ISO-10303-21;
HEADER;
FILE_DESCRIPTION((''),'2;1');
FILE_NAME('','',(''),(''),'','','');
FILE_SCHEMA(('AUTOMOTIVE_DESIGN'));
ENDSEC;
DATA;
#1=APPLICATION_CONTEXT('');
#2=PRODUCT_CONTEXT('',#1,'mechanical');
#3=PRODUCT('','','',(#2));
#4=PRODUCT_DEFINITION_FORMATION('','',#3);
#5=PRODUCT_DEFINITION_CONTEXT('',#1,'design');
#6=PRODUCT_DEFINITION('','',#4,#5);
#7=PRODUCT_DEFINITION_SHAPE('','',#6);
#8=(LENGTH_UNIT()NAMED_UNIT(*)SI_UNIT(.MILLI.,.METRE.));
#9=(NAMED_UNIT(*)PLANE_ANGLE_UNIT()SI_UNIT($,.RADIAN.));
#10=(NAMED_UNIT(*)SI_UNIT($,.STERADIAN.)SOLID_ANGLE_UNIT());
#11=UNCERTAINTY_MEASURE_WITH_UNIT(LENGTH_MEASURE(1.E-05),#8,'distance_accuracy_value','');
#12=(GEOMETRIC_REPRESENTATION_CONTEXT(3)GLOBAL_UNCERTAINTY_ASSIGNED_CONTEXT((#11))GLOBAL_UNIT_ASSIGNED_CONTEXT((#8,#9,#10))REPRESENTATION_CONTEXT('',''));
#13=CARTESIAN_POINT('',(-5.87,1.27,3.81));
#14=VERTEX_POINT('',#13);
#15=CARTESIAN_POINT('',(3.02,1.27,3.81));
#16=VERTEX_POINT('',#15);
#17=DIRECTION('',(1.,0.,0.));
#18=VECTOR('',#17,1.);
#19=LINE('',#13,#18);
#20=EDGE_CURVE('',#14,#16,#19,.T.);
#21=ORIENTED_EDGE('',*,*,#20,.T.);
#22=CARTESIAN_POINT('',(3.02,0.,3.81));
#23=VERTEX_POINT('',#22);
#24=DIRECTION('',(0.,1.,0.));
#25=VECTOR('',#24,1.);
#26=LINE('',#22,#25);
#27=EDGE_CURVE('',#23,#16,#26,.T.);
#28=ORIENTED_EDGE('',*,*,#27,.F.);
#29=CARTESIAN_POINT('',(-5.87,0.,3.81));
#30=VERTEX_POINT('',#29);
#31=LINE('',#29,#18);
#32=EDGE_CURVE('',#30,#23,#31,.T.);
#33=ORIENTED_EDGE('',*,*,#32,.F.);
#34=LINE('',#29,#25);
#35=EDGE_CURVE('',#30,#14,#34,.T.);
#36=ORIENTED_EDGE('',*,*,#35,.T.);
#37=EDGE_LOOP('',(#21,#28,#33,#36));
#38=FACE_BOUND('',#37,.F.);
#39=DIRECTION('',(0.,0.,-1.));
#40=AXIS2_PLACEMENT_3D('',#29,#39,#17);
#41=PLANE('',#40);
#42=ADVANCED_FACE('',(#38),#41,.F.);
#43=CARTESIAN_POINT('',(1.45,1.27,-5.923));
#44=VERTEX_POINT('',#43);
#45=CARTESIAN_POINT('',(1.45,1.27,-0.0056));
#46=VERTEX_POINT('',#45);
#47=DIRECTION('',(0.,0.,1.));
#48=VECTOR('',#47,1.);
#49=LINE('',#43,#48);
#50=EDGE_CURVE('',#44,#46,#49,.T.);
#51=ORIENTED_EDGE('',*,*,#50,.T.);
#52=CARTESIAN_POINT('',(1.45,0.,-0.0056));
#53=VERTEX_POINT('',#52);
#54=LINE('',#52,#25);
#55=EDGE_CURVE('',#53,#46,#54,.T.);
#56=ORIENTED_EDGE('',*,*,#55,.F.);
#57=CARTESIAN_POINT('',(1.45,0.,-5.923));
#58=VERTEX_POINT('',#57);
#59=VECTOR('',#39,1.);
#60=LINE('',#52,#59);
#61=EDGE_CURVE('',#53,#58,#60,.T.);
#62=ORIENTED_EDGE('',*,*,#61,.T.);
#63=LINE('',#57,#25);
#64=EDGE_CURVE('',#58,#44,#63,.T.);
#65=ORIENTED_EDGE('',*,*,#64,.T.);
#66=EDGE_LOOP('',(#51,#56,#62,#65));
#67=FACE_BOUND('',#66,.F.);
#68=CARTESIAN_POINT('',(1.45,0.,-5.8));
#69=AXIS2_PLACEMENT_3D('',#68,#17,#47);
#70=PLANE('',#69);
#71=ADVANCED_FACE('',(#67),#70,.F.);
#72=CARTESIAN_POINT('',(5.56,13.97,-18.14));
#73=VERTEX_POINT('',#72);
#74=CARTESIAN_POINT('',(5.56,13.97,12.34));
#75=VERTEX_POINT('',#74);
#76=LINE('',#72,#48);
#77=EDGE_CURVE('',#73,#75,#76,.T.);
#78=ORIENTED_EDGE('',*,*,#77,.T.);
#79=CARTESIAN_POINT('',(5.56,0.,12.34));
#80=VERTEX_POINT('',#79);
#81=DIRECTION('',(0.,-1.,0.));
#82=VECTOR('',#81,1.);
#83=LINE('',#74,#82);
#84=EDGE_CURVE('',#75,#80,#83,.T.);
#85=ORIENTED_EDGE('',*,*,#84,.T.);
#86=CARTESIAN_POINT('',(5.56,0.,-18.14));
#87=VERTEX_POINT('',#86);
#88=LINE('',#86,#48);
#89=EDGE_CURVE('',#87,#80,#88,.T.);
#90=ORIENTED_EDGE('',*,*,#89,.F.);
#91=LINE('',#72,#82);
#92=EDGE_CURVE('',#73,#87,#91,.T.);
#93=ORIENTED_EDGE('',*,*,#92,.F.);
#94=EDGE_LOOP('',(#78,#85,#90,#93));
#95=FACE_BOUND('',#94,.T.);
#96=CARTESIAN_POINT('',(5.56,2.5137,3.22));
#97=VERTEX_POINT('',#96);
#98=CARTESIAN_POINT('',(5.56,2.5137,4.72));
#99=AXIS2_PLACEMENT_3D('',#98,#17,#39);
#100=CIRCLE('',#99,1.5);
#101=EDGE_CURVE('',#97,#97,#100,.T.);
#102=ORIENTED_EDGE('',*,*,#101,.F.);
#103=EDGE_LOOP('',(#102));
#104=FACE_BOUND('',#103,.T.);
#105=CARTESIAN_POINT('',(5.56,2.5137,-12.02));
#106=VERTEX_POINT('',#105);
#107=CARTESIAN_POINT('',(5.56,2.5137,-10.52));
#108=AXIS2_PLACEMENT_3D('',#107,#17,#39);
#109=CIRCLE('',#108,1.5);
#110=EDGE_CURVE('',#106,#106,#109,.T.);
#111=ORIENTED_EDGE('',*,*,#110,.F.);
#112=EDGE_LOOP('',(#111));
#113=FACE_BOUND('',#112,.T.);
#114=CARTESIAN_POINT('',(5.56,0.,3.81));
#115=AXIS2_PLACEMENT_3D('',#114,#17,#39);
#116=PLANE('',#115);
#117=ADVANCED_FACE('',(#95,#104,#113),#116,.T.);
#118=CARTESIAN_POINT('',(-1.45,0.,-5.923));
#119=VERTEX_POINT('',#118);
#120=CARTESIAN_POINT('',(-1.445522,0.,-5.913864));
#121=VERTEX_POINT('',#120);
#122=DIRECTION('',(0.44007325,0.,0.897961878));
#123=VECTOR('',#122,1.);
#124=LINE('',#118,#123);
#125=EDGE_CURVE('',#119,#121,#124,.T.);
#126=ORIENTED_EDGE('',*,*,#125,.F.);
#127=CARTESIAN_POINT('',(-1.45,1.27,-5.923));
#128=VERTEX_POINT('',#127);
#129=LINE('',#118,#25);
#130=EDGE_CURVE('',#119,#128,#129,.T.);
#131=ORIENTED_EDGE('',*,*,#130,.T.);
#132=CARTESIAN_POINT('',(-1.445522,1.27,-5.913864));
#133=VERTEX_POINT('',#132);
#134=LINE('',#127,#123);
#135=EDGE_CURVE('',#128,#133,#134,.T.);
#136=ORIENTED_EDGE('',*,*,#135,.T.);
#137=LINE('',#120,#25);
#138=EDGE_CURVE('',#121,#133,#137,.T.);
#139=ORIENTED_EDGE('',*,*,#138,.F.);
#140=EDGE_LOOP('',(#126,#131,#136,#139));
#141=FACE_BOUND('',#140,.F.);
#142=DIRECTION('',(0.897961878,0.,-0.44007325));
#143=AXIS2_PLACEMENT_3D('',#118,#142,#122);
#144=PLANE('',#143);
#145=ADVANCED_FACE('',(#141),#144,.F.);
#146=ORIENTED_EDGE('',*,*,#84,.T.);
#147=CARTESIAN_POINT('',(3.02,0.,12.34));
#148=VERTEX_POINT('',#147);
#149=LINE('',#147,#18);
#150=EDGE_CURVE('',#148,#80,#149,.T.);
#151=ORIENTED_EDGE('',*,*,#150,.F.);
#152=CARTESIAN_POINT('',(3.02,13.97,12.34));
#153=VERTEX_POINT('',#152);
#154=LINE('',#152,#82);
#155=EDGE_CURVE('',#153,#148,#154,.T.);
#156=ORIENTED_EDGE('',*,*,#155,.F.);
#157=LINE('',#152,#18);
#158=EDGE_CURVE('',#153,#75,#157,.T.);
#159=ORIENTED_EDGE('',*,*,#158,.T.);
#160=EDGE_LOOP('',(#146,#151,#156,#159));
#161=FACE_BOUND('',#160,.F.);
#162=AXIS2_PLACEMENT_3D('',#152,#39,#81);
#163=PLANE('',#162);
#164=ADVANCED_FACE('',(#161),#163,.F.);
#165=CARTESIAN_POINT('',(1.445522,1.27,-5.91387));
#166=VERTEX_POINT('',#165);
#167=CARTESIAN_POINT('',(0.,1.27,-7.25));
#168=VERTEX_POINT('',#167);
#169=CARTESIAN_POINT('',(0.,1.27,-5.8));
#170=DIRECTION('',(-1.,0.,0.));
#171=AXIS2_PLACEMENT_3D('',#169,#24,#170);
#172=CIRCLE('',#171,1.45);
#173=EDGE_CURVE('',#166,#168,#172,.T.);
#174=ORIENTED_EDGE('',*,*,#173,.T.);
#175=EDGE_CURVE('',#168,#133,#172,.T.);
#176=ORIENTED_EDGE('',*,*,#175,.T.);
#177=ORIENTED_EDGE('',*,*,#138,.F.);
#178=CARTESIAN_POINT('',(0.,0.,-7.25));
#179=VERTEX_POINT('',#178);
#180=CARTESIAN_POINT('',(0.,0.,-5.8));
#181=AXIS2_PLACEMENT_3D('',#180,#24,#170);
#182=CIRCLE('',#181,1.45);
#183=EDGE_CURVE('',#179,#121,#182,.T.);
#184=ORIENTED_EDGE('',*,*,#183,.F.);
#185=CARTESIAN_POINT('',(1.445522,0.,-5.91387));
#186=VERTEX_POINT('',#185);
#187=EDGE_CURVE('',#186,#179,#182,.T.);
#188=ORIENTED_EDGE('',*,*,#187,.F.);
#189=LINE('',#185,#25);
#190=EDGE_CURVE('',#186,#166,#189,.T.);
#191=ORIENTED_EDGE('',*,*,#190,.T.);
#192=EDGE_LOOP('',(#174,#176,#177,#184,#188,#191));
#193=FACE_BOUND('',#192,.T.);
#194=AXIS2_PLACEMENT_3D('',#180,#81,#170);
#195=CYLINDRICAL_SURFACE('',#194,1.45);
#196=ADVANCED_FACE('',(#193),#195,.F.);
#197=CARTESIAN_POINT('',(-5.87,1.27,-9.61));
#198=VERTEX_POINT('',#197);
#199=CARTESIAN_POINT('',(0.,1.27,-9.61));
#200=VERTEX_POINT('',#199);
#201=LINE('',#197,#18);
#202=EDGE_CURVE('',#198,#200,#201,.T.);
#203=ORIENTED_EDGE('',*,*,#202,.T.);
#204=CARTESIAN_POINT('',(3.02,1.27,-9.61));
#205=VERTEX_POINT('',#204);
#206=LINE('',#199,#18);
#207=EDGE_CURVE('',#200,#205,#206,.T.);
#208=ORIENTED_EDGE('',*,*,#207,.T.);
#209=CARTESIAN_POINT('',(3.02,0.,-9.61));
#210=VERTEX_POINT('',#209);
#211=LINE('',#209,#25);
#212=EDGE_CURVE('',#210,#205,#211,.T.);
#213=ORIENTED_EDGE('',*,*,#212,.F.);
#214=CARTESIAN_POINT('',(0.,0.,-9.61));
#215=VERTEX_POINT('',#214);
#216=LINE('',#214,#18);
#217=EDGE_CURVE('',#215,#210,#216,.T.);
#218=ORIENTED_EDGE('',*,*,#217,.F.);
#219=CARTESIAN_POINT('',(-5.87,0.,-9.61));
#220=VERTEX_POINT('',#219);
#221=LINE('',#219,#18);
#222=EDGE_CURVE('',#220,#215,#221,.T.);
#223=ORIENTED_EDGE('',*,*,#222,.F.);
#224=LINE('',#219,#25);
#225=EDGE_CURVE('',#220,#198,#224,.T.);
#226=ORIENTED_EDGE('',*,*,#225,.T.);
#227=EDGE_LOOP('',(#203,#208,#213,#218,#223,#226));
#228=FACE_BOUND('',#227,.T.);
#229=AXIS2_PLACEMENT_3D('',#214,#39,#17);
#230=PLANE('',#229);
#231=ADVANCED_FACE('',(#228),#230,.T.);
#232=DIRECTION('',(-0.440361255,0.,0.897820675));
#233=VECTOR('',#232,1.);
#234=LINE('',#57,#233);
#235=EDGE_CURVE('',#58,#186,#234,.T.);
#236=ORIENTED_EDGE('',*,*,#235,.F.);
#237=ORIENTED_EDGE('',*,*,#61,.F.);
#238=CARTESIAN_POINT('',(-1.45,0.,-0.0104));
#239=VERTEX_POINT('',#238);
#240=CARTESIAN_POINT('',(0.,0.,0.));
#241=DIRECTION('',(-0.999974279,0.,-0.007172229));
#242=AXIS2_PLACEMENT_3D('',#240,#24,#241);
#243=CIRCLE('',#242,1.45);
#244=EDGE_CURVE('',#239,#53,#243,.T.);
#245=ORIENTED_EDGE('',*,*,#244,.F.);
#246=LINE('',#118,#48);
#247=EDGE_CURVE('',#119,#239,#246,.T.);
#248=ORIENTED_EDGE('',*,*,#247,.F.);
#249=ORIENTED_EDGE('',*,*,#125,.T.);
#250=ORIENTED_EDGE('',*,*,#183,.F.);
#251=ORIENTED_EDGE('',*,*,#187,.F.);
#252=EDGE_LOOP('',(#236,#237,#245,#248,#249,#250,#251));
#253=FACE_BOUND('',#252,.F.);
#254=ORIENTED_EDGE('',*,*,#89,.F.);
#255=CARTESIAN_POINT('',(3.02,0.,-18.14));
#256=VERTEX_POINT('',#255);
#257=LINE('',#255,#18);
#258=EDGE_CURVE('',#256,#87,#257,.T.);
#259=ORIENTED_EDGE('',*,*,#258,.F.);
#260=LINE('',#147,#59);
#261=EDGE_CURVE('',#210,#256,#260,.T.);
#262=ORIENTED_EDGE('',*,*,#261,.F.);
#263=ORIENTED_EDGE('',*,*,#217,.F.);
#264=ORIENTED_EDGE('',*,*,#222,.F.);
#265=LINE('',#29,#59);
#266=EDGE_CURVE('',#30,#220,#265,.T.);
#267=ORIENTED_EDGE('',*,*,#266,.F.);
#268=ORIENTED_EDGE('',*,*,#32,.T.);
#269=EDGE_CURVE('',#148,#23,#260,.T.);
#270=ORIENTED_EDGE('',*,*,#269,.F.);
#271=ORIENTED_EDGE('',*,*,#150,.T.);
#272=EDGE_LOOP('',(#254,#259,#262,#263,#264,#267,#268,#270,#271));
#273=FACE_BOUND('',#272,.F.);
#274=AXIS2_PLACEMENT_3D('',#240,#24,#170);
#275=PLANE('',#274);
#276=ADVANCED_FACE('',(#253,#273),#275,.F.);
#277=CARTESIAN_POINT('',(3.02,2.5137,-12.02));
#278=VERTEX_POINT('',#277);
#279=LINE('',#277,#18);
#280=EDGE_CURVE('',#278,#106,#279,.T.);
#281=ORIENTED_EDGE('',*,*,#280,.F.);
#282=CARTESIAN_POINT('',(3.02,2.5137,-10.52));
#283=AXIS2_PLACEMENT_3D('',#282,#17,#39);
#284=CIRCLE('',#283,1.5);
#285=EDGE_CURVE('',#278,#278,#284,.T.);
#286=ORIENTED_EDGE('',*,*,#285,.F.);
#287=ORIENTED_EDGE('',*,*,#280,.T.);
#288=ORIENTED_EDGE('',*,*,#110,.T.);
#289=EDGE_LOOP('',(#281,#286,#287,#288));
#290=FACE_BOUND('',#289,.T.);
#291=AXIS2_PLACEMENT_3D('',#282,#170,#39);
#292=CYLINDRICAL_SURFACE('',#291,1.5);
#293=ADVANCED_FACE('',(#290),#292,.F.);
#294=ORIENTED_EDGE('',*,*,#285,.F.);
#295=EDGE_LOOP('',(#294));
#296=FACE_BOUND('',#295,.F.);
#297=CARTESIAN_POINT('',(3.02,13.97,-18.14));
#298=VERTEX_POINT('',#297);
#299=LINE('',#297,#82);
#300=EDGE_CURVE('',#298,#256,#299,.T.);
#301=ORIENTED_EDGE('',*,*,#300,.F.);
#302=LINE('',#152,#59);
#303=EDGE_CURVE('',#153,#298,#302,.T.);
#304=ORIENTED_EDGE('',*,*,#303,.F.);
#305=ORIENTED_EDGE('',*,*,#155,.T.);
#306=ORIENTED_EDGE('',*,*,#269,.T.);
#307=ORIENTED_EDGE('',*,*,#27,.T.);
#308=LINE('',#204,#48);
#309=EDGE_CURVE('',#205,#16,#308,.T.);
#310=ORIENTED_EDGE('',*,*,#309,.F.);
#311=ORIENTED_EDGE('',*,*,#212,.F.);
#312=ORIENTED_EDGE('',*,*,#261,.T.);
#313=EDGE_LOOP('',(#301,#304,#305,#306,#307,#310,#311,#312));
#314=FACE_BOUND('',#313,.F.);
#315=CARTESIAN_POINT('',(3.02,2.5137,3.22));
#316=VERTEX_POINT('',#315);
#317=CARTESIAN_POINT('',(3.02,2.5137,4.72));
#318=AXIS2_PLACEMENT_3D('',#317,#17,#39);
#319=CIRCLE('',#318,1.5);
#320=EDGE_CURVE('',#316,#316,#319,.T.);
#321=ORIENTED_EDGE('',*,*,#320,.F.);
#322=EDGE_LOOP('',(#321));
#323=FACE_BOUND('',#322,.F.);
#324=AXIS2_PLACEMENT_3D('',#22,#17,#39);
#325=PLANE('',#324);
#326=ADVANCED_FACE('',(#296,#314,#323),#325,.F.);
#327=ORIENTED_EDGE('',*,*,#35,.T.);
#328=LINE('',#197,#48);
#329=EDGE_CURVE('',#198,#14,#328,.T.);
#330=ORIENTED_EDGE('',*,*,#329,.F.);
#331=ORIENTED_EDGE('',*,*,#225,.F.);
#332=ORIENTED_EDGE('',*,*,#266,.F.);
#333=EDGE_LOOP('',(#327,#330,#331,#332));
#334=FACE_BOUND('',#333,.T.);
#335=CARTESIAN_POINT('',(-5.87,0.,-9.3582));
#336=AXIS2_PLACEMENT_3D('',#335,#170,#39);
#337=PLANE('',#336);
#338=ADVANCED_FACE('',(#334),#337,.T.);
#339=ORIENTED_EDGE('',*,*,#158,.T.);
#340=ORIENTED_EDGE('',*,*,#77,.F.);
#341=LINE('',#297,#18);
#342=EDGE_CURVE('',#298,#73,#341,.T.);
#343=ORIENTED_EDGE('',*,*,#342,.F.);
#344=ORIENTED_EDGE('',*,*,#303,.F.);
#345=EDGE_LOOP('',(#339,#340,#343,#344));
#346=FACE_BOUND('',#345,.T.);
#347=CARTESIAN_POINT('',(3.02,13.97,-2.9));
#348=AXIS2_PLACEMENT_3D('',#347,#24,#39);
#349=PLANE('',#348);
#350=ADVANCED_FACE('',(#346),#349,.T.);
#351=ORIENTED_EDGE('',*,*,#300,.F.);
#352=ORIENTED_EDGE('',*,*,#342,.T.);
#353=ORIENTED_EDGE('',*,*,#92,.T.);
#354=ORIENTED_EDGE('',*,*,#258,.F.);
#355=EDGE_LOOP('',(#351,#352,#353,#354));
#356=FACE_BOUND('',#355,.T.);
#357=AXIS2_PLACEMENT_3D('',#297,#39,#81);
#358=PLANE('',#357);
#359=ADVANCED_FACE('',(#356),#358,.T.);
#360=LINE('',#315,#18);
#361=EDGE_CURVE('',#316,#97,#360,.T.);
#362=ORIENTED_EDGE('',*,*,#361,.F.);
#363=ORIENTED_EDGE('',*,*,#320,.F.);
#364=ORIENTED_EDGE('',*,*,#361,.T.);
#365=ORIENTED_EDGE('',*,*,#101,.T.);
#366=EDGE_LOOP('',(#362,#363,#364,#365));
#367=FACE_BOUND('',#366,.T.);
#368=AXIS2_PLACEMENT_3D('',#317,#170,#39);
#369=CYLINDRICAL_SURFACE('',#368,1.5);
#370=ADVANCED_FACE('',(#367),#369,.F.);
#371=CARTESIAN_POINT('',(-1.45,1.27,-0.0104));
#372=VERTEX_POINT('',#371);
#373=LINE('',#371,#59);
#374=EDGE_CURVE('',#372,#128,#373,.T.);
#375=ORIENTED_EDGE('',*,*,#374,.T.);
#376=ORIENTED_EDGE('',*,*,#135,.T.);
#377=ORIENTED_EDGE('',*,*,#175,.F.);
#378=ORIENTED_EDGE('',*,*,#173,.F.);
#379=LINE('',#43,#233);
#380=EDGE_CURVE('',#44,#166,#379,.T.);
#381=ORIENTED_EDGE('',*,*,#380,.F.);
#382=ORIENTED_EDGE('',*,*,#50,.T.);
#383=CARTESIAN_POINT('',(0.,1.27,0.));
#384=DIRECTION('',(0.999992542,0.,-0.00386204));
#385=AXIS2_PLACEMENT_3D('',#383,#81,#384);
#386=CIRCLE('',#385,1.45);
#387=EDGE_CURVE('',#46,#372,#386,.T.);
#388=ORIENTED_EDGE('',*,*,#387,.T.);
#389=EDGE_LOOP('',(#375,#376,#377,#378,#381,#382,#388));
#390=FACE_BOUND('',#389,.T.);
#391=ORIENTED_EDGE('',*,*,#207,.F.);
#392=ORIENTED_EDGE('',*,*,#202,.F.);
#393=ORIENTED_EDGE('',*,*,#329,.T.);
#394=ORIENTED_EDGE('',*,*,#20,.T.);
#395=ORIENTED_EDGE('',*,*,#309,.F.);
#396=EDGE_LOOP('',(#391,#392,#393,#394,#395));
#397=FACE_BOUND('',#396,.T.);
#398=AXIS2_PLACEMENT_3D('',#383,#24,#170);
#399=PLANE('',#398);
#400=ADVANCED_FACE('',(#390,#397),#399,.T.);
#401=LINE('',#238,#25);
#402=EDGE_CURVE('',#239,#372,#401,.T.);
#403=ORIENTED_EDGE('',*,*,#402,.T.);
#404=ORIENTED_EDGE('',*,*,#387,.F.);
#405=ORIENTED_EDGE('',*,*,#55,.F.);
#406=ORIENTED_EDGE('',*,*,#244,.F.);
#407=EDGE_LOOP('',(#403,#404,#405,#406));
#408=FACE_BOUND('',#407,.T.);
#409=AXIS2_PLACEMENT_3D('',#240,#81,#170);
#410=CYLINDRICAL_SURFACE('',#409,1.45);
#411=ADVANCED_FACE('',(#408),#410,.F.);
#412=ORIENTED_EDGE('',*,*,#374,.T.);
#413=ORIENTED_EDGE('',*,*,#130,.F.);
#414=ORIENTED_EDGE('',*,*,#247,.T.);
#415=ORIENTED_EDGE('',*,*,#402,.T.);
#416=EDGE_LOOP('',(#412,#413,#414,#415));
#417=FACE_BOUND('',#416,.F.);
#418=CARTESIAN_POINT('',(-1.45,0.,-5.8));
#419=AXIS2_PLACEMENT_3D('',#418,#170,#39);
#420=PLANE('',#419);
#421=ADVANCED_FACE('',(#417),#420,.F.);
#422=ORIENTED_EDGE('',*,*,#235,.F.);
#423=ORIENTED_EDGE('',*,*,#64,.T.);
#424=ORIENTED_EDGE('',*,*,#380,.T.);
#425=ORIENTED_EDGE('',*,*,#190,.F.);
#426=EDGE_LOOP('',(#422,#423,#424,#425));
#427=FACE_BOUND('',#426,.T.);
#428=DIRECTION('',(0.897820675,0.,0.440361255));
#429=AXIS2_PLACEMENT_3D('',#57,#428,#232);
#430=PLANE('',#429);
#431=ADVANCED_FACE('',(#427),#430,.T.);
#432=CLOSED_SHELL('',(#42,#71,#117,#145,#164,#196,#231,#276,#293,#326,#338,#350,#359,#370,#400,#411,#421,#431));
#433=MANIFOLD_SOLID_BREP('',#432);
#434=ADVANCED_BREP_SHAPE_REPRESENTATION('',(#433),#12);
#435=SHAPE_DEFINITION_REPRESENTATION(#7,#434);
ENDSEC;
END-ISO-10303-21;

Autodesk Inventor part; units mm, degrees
ref_plane "YZ Plane" through (0, 0, 0) normal (1, 0, 0) x (0, 1, 0)
ref_plane "XZ Plane" through (0, 0, 0) normal (0, 1, 0) x (-1, 0, 0)
ref_plane "XY Plane" through (0, 0, 0) normal (0, 0, 1) x (1, 0, 0)
sketch "Sketch1" plane through (0, 0, 0) normal (0, 1, 0) x (-1, 0, 0)
  circle A0 centre (0, -5.8) radius 1.45
  circle A1 centre (0, 0) radius 1.45
  line L0 (-1.45, -5.923) -> (-1.45, 0.123)
  line L1 (1.45, 0.123) -> (1.45, -5.923)
  circle A2 centre (0, -5.8) radius 1.45
  circle A3 centre (0, 0) radius 1.45
  line L2 (-1.45, -5.923) -> (-1.45, 0.123)
  line L3 (1.45, -5.923) -> (1.45, 0.123)
  line L4 (-1.45, -5.923) -> (1.45, -0.0104)
  line L5 (1.45, -5.923) -> (-1.45, -0.0056)
  line L6 (5.87, 3.81) -> (-3.02, 3.81)
  line L7 (-3.02, 3.81) -> (-3.02, -9.3582)
  line L8 (5.87, -9.3582) -> (5.87, 3.81)
  line L9 (0, -5.8) -> (0, -9.61)
  line L10 (5.87, -9.3582) -> (5.87, -9.61)
  line L11 (5.87, -9.61) -> (0, -9.61)
  line L12 (-3.02, -9.61) -> (-3.02, -9.3582)
  line L13 (0, -9.61) -> (-3.02, -9.61)
  point P0 (3.8566, 2.9938)
  point P1 (-1.4456, -5.9139)
  point P2 (-1.45, -5.8099)
  point P3 (-1.45, -5.7901)
  point P4 (-1.45, -0.0056)
  point P5 (1.45, -0.0104)
  point P6 (1.45, -5.7873)
  point P7 (1.45, -5.8126)
  point P8 (1.4456, -5.9139)
  dimension "d4" = 0
  dimension "d5" = 2.9
  dimension "d6" = 2.9001
  dimension "d8" = 1.57
  dimension "d9" = 8.89
  dimension "d11" = 3.81
  dimension "d13" = 3.81
extrude "Extrusion1" add sketch "Sketch1" along normal blind 1.27
sketch "Sketch2" plane through (3.02, 0, 3.81) normal (1, 0, 0) x (0, 0, -1)
  line L0 (9.6001, 1.27) -> (3.8156, 1.27) projected
  line L1 (3.8204, 1.27) -> (9.5973, 1.27) projected
  line L2 (2.36, 1.27) -> (3.8204, 1.27) projected
  line L3 (9.7239, 1.27) -> (11.06, 1.27) projected
  line L4 (6.71, 0) -> (6.71, 13.97)
  line L5 (6.71, 13.97) -> (21.95, 13.97)
  line L6 (21.95, 13.97) -> (21.95, 0)
  line L7 (21.95, 0) -> (6.71, 0)
  line L8 (6.71, 0) -> (6.71, 13.97)
  line L9 (6.71, 13.97) -> (-8.53, 13.97)
  line L10 (-8.53, 13.97) -> (-8.53, 0)
  line L11 (-8.53, 0) -> (6.71, 0)
  line L12 (6.71, 0) -> (6.71, 13.97)
  line L13 (0, 0) -> (13.42, 0) projected
  line L14 (13.42, 0) -> (13.42, 1.27) projected
  line L15 (0, 1.27) -> (13.42, 1.27) projected
  line L16 (0, 0) -> (0, 1.27) projected
  circle A0 centre (14.33, 2.5137) radius 1.5
  circle A1 centre (-0.91, 2.5137) radius 1.5
  point P0 (3.81, 0)
  point P1 (9.7239, 1.27)
  dimension "d19" = 15.24
  dimension "d20" = 15.24
  dimension "d21" = 7.62
  dimension "d22" = 7.62
  dimension "d23" = 3
  dimension "d24" = 3
extrude "Extrusion2" add sketch "Sketch2" along normal blind 2.54
properties part number "USB_MOUNT"
